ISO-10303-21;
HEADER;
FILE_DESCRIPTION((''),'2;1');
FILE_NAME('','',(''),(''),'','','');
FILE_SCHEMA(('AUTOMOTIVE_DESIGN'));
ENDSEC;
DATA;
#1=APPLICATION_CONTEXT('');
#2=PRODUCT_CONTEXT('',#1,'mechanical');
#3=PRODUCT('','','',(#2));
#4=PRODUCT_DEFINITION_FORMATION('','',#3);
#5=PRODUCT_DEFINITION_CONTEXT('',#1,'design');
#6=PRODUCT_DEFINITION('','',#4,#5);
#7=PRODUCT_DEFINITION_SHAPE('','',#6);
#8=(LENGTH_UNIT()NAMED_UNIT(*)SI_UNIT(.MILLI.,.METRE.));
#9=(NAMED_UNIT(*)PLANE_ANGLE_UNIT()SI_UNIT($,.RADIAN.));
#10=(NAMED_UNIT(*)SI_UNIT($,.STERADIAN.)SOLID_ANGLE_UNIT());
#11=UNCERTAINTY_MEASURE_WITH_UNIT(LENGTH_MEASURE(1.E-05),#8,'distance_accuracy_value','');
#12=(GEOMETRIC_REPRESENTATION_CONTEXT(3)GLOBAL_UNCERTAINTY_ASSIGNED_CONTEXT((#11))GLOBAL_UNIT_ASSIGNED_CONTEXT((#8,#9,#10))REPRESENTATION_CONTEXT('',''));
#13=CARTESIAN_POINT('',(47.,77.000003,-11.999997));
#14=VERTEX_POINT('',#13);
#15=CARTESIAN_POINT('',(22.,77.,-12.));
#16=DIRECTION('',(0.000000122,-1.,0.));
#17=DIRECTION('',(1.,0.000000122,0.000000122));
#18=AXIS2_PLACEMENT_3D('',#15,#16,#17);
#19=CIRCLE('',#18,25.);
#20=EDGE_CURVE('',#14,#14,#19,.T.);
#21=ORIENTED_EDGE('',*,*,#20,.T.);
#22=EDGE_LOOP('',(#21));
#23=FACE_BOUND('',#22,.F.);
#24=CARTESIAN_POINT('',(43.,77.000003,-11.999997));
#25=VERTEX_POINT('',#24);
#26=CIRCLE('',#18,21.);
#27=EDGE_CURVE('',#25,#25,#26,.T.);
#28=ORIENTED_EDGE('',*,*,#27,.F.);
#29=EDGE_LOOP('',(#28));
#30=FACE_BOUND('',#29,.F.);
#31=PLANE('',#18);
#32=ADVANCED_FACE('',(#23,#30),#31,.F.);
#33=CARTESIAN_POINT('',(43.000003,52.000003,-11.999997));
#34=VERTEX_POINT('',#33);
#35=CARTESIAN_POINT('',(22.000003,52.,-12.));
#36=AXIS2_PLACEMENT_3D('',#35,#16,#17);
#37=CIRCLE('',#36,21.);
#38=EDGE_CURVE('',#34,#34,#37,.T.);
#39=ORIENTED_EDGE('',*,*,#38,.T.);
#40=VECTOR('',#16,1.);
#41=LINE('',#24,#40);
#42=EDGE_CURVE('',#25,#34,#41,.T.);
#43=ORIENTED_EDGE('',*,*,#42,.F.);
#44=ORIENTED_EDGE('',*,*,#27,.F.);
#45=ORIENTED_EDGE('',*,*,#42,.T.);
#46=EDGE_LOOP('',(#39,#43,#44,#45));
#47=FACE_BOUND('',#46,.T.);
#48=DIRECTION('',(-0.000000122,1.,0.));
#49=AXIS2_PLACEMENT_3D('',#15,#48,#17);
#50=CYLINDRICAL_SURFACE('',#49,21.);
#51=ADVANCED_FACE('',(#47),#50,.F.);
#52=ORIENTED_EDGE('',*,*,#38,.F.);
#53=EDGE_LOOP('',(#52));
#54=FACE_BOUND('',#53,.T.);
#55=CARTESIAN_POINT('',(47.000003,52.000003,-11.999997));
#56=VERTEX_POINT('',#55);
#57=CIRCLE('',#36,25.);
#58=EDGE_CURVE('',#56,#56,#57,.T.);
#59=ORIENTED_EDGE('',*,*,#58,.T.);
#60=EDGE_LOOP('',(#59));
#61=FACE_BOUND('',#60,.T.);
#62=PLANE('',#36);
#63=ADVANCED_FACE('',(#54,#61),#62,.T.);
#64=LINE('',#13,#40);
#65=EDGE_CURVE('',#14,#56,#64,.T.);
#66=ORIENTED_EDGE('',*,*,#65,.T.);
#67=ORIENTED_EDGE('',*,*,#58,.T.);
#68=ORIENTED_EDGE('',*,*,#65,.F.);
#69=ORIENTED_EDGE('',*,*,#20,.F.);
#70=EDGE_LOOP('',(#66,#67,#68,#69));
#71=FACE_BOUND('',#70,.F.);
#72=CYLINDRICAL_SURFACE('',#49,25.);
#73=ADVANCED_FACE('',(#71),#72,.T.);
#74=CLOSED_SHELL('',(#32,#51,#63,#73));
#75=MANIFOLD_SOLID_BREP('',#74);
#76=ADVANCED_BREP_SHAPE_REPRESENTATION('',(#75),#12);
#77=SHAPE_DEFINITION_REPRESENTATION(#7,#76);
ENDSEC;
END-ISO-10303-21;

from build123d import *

# Parameters (mm, degrees)
CYLINDER015_R          = 21
CYLINDER015_DEPTH      = 25
CYLINDER016_R          = 25
CYLINDER016_DEPTH      = 25
CUT002_ROLL_ANGLE      = 90
CUT002_PITCH_ANGLE     = -7e-06
CUT002_PLACEMENT_ANGLE = 7e-06


with BuildPart() as cylinder015:
    # Cylinder015 → Cylinder015 (new body)
    with BuildSketch(Plane.XY):
        Circle(CYLINDER015_R)
    extrude(amount=CYLINDER015_DEPTH)


with BuildPart() as cut002:
    # Cylinder016 → Cylinder016 (new body)
    with BuildSketch(Plane.XY):
        Circle(CYLINDER016_R)
    extrude(amount=CYLINDER016_DEPTH)

    # Cut002: cut Cylinder015
    add(cylinder015.part, mode=Mode.SUBTRACT)


with BuildPart() as cut002_1:
    # Cut002 roll: moved
    add(cut002.part.rotate(Axis((0, 0, 0), (1, 0, 0)), CUT002_ROLL_ANGLE))


with BuildPart() as cut002_2:
    # Cut002 pitch: moved
    add(cut002_1.part.rotate(Axis((0, 0, 0), (0, 1, 0)), CUT002_PITCH_ANGLE))


with BuildPart() as cut002_3:
    # Cut002 placement: moved
    add(cut002_2.part.moved(Location((22, 77, -12))).rotate(Axis((22, 77, -12), (0, 0, 1)), CUT002_PLACEMENT_ANGLE))


solid = cut002_3.part
